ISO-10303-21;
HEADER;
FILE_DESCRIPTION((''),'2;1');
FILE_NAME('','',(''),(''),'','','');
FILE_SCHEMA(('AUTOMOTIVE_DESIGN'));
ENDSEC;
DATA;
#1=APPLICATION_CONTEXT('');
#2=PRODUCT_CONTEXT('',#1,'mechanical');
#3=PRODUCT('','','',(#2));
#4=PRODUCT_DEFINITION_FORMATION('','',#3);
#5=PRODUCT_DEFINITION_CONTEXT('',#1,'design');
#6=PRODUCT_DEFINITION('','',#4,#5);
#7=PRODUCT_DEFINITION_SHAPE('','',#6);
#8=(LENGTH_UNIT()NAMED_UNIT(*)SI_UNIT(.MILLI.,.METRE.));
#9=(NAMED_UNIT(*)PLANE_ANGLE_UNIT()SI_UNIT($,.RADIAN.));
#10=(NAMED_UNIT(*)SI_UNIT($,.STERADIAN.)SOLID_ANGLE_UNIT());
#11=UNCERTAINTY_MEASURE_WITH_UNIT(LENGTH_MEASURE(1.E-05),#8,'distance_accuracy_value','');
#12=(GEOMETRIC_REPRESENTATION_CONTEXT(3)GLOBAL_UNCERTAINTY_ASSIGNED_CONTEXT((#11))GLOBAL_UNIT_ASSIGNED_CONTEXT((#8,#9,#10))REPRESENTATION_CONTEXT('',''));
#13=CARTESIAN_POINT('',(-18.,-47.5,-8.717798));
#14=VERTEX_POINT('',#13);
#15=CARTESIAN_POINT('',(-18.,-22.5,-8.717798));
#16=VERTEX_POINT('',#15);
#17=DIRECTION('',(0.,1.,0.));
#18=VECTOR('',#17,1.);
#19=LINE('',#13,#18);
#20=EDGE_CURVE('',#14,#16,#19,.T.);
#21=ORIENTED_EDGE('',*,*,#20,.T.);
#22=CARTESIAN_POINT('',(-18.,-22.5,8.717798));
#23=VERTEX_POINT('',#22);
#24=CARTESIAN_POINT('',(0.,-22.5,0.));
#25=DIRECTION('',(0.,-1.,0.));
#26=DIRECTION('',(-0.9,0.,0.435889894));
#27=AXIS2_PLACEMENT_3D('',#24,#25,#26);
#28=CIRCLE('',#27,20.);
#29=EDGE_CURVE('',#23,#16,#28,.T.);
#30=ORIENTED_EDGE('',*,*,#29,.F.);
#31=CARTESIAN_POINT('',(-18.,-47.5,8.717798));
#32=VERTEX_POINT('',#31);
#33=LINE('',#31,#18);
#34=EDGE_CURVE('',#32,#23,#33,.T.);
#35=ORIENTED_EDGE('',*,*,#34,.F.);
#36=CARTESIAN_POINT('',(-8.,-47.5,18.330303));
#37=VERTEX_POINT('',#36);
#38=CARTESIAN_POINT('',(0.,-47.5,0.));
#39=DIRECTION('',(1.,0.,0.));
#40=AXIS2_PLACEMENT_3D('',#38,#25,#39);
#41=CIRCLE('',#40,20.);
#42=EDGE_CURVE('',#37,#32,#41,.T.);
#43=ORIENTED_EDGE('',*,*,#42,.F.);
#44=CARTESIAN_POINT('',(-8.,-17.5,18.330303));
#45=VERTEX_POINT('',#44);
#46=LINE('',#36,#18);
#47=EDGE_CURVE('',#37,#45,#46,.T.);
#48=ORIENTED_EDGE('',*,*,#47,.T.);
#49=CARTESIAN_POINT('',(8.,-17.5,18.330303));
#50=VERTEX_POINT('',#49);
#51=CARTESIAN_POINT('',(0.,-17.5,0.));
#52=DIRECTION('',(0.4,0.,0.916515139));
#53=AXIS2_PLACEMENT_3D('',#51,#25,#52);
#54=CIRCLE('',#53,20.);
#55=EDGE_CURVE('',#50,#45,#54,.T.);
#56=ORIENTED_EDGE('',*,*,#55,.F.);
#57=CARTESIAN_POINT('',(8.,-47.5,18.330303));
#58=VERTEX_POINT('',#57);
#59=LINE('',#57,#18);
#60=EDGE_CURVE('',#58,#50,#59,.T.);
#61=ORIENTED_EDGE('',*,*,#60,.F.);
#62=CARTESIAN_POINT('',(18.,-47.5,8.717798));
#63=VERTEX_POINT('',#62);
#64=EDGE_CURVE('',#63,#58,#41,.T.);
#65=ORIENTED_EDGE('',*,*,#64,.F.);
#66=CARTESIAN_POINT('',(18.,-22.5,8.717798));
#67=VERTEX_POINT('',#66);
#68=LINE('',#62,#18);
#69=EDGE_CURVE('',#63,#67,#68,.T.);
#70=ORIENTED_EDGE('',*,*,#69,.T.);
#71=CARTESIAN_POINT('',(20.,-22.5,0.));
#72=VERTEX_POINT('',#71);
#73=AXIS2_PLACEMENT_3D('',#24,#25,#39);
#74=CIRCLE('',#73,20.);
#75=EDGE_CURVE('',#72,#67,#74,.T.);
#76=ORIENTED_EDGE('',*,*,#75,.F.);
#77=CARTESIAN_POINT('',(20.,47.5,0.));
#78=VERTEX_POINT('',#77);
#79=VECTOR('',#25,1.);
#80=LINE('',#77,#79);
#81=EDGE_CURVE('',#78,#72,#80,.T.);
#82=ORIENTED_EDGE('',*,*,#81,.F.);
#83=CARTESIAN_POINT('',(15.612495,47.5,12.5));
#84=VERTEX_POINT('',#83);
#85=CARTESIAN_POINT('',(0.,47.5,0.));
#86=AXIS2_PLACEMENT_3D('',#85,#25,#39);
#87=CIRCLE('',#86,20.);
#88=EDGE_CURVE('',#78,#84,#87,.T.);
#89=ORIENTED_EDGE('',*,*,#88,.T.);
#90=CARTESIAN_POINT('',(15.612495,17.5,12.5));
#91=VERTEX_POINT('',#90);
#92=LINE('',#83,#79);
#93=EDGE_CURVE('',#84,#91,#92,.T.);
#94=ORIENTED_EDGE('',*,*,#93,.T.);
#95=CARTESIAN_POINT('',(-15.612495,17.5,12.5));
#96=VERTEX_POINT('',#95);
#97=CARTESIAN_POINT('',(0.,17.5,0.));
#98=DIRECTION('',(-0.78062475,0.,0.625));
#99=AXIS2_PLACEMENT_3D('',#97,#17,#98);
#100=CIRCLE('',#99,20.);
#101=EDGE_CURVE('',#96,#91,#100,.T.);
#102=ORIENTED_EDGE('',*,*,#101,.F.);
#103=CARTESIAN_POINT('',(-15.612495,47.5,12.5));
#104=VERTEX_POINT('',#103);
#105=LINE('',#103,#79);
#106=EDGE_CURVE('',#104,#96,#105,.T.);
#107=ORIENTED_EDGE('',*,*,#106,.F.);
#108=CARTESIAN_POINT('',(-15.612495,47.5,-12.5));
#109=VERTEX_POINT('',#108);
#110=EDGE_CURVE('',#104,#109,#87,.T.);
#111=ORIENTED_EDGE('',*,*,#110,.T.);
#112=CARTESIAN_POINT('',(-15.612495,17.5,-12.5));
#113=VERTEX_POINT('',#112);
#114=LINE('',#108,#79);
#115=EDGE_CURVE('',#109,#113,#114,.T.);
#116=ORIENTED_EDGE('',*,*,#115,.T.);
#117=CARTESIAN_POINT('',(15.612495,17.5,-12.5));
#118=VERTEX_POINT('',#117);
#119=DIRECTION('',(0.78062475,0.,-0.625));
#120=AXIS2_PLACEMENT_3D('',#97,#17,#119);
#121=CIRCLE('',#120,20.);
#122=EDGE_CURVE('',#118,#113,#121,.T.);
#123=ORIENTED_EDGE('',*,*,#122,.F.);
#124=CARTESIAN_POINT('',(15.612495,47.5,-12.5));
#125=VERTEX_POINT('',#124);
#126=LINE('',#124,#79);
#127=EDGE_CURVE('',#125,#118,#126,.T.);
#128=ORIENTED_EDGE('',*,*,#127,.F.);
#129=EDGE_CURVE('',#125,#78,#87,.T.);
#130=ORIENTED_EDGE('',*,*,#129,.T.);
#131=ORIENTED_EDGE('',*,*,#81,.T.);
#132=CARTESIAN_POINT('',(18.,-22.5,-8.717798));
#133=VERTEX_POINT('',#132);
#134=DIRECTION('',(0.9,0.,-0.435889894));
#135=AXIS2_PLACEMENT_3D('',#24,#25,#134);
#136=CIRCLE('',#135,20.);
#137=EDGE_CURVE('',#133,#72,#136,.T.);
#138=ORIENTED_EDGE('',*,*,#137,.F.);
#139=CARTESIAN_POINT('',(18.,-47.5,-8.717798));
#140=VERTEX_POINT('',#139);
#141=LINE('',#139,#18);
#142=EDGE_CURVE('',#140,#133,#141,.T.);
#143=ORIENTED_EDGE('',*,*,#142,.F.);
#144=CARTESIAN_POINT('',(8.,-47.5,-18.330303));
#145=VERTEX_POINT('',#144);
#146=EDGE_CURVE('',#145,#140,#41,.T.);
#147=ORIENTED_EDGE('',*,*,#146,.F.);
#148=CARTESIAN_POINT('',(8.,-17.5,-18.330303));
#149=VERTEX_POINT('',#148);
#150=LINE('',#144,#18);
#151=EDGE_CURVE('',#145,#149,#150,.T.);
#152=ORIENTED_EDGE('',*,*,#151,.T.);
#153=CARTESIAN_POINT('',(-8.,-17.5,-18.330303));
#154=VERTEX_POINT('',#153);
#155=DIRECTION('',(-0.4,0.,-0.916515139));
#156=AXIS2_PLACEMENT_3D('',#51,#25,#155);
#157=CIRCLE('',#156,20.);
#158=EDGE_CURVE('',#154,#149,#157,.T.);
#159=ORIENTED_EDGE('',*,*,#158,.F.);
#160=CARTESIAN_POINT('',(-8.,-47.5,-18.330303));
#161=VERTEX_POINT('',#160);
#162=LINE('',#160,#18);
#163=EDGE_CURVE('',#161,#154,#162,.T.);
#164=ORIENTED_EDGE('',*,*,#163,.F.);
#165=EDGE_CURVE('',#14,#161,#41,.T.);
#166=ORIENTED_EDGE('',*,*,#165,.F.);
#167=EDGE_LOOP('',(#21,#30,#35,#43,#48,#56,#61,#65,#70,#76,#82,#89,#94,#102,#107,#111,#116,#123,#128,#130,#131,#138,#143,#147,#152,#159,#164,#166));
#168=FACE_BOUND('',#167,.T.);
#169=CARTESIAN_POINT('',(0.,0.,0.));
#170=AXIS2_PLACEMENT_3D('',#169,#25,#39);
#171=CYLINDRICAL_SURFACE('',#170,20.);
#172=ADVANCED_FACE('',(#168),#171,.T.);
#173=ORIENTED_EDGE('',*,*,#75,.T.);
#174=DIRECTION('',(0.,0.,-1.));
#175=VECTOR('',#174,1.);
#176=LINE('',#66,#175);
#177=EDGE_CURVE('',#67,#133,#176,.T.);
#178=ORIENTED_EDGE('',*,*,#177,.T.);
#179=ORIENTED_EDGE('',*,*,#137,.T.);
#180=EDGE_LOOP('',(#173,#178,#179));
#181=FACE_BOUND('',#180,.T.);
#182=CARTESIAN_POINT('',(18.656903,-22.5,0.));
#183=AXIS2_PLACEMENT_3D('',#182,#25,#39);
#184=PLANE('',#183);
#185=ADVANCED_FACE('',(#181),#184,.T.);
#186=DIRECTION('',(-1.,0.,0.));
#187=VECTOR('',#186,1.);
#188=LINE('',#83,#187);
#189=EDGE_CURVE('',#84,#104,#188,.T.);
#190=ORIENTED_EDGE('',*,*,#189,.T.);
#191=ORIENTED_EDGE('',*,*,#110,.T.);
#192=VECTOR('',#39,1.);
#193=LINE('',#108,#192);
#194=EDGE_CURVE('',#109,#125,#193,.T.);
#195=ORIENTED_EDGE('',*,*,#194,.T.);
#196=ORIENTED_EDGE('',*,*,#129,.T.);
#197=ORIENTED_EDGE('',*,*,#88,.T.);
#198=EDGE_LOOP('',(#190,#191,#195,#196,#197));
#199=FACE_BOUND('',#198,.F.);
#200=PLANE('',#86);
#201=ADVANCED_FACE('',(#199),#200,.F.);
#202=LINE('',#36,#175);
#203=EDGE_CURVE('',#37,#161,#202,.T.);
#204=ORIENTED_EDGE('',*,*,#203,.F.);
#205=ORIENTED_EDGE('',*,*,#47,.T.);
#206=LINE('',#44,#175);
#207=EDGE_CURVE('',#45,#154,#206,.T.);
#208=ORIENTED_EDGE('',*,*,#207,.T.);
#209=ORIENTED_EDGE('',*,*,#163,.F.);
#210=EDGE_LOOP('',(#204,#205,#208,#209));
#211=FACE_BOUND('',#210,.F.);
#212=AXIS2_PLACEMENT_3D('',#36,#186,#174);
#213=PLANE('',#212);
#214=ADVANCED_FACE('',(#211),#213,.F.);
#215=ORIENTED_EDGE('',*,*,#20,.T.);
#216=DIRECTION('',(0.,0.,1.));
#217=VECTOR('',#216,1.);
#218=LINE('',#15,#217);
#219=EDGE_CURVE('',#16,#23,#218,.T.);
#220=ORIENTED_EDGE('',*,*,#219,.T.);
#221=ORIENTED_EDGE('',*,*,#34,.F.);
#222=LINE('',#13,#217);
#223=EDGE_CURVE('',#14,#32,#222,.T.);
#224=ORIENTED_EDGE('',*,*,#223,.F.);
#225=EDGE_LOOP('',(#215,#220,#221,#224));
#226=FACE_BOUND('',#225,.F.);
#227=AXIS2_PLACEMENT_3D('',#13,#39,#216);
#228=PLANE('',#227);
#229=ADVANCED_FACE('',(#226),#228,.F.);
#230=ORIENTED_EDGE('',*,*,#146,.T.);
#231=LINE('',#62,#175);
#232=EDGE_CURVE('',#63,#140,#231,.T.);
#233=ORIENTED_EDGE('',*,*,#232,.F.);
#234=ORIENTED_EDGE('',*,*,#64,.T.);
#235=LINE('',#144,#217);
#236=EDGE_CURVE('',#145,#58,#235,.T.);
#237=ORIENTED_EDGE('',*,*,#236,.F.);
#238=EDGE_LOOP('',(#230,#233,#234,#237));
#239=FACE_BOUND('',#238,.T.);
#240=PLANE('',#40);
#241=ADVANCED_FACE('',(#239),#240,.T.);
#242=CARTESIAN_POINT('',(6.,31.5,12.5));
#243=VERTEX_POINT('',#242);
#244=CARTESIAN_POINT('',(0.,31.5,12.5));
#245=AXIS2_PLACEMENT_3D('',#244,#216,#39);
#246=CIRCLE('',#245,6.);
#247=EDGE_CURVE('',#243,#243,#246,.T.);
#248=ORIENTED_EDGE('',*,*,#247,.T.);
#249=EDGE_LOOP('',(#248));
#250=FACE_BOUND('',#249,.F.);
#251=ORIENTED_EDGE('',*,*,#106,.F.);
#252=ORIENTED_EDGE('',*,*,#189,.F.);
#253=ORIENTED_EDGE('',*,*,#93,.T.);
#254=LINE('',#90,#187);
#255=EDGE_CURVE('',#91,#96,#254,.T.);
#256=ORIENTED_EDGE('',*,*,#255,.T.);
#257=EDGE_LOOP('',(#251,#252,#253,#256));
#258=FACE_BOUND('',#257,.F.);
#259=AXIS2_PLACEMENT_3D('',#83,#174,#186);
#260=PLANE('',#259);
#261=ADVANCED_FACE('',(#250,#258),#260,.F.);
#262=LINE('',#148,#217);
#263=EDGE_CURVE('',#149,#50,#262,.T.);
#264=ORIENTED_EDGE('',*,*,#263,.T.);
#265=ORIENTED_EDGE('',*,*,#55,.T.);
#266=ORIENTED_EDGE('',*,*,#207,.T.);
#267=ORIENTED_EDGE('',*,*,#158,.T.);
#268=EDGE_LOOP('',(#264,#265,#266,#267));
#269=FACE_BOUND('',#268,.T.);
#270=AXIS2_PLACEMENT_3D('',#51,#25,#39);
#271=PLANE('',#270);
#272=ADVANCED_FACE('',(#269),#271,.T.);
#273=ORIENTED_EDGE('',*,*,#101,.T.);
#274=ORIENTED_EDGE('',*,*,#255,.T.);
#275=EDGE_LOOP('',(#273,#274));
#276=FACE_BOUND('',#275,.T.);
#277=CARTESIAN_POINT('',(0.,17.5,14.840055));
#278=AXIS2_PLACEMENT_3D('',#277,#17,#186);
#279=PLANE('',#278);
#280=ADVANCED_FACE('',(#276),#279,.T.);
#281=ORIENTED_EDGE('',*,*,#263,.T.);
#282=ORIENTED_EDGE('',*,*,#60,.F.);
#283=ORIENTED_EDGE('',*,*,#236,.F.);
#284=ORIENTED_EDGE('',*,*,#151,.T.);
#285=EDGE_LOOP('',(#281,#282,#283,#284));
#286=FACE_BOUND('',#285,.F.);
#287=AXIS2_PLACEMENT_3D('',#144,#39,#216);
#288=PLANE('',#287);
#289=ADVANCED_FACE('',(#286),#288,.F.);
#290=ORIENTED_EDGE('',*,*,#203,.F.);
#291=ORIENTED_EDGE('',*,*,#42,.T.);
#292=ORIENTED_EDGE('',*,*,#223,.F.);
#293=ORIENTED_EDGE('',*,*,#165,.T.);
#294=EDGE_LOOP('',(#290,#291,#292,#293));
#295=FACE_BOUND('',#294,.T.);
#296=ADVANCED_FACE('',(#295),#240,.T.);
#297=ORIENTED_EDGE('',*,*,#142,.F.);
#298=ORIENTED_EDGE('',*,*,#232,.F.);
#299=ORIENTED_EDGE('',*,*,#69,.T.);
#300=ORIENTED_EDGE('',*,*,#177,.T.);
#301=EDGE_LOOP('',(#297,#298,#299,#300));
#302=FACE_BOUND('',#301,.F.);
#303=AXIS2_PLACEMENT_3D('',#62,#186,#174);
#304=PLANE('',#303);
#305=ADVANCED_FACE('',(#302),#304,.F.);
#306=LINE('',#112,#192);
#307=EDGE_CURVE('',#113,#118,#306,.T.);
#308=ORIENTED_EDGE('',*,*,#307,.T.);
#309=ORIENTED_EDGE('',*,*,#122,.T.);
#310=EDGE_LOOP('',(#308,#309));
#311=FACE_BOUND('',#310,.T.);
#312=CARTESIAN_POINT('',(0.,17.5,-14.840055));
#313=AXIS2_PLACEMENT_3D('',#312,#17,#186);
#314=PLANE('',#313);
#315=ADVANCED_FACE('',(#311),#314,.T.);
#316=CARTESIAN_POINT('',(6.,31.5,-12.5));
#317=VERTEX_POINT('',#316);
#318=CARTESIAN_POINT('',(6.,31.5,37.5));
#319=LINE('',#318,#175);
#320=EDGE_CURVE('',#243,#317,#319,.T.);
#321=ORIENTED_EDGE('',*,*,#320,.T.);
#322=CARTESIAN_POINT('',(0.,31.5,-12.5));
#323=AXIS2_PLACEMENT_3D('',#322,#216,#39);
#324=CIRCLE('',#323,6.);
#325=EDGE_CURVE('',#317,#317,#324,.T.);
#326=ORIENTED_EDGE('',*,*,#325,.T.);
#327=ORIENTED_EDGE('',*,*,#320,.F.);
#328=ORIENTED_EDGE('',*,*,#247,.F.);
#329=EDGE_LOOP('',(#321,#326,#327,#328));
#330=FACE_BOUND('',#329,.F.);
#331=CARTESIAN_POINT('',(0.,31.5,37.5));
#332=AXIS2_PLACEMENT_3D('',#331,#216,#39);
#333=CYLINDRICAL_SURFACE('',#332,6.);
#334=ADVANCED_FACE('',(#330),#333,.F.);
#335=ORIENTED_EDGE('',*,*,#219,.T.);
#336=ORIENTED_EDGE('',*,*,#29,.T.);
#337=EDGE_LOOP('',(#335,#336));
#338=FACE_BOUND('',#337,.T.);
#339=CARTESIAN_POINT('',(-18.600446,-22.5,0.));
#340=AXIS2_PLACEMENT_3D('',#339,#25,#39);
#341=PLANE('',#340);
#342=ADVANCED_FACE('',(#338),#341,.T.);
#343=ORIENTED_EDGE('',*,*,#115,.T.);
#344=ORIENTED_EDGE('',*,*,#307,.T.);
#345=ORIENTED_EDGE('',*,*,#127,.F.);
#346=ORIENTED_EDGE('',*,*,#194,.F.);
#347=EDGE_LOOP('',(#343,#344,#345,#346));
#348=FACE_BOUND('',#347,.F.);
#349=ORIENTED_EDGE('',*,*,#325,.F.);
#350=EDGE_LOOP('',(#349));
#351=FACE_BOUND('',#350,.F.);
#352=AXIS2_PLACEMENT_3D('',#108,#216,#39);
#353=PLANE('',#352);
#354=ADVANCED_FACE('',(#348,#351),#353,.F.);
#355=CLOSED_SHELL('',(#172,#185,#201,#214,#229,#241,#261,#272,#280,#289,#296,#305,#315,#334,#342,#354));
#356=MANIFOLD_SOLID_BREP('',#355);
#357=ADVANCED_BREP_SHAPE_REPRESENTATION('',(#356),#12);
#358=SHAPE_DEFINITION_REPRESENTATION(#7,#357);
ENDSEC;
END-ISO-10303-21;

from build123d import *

# Parameters (mm, degrees)
F0_R      = 20
F1_DEPTH  = 47.5
F3_DEPTH  = 30
F5_DEPTH  = 25
F7_DEPTH  = 30
F8_R      = 6
F9_DEPTH  = 25
F10_DEPTH = 57.501


with BuildPart() as f1:
    # F0 (on Front) → F1 (new body, symmetric)
    with BuildSketch(Plane.XZ):
        Circle(F0_R)
    extrude(amount=F1_DEPTH, both=True)

    # F2 (on face) → F3 (cut)
    with BuildSketch(Plane.XZ.offset(47.5)):
        with BuildLine():
            ThreePointArc((8, 18.3303027798), (0, 20), (-8, 18.3303027798))
            Line((-8, 18.3303027798), (-8, -18.3303027798))
            ThreePointArc((-8, -18.3303027798), (0, -20), (8, -18.3303027798))
            Line((8, -18.3303027798), (8, 18.3303027798))
        make_face()
    extrude(amount=-F3_DEPTH, mode=Mode.SUBTRACT)

    # F4 (on face) → F5 (cut)
    with BuildSketch(Plane.XZ.offset(47.5)):
        with BuildLine():
            Line((-18, -8.7177978871), (-18, 8.7177978871))
            ThreePointArc((-18, 8.7177978871), (-20, 0), (-18, -8.7177978871))
        make_face()
        with BuildLine():
            ThreePointArc((20, 0), (19.4935886896, 4.472135955), (18, 8.7177978871))
            Line((18, 8.7177978871), (18, -8.7177978871))
            ThreePointArc((18, -8.7177978871), (19.4935886896, -4.472135955), (20, 0))
        make_face()
    extrude(amount=-F5_DEPTH, mode=Mode.SUBTRACT)

    # F6 (on face) → F7 (cut)
    with BuildSketch(Plane(origin=(0, 47.5, 0), x_dir=(-1, 0, 0), z_dir=(0, 1, 0))):
        with BuildLine():
            Line((-15.612494996, 12.5), (15.612494996, 12.5))
            ThreePointArc((15.612494996, 12.5), (0, 20), (-15.612494996, 12.5))
        make_face()
        with BuildLine():
            Line((15.612494996, -12.5), (-15.612494996, -12.5))
            ThreePointArc((-15.612494996, -12.5), (0, -20), (15.612494996, -12.5))
        make_face()
    extrude(amount=-F7_DEPTH, mode=Mode.SUBTRACT)

    # F8 (on face) → F9 (join)
    with BuildSketch(Plane.XY.offset(12.5)):
        with Locations((0, 31.5)):
            Circle(F8_R)
    extrude(amount=F9_DEPTH)

    # F10 (cut, through all): a face of the model
    f10_faces = [f1.faces().sort_by_distance(p)[0] for p in [
        (0, 31.5, 37.5),
    ]]
    extrude(f10_faces, amount=-F10_DEPTH, mode=Mode.SUBTRACT)


solid = f1.part
